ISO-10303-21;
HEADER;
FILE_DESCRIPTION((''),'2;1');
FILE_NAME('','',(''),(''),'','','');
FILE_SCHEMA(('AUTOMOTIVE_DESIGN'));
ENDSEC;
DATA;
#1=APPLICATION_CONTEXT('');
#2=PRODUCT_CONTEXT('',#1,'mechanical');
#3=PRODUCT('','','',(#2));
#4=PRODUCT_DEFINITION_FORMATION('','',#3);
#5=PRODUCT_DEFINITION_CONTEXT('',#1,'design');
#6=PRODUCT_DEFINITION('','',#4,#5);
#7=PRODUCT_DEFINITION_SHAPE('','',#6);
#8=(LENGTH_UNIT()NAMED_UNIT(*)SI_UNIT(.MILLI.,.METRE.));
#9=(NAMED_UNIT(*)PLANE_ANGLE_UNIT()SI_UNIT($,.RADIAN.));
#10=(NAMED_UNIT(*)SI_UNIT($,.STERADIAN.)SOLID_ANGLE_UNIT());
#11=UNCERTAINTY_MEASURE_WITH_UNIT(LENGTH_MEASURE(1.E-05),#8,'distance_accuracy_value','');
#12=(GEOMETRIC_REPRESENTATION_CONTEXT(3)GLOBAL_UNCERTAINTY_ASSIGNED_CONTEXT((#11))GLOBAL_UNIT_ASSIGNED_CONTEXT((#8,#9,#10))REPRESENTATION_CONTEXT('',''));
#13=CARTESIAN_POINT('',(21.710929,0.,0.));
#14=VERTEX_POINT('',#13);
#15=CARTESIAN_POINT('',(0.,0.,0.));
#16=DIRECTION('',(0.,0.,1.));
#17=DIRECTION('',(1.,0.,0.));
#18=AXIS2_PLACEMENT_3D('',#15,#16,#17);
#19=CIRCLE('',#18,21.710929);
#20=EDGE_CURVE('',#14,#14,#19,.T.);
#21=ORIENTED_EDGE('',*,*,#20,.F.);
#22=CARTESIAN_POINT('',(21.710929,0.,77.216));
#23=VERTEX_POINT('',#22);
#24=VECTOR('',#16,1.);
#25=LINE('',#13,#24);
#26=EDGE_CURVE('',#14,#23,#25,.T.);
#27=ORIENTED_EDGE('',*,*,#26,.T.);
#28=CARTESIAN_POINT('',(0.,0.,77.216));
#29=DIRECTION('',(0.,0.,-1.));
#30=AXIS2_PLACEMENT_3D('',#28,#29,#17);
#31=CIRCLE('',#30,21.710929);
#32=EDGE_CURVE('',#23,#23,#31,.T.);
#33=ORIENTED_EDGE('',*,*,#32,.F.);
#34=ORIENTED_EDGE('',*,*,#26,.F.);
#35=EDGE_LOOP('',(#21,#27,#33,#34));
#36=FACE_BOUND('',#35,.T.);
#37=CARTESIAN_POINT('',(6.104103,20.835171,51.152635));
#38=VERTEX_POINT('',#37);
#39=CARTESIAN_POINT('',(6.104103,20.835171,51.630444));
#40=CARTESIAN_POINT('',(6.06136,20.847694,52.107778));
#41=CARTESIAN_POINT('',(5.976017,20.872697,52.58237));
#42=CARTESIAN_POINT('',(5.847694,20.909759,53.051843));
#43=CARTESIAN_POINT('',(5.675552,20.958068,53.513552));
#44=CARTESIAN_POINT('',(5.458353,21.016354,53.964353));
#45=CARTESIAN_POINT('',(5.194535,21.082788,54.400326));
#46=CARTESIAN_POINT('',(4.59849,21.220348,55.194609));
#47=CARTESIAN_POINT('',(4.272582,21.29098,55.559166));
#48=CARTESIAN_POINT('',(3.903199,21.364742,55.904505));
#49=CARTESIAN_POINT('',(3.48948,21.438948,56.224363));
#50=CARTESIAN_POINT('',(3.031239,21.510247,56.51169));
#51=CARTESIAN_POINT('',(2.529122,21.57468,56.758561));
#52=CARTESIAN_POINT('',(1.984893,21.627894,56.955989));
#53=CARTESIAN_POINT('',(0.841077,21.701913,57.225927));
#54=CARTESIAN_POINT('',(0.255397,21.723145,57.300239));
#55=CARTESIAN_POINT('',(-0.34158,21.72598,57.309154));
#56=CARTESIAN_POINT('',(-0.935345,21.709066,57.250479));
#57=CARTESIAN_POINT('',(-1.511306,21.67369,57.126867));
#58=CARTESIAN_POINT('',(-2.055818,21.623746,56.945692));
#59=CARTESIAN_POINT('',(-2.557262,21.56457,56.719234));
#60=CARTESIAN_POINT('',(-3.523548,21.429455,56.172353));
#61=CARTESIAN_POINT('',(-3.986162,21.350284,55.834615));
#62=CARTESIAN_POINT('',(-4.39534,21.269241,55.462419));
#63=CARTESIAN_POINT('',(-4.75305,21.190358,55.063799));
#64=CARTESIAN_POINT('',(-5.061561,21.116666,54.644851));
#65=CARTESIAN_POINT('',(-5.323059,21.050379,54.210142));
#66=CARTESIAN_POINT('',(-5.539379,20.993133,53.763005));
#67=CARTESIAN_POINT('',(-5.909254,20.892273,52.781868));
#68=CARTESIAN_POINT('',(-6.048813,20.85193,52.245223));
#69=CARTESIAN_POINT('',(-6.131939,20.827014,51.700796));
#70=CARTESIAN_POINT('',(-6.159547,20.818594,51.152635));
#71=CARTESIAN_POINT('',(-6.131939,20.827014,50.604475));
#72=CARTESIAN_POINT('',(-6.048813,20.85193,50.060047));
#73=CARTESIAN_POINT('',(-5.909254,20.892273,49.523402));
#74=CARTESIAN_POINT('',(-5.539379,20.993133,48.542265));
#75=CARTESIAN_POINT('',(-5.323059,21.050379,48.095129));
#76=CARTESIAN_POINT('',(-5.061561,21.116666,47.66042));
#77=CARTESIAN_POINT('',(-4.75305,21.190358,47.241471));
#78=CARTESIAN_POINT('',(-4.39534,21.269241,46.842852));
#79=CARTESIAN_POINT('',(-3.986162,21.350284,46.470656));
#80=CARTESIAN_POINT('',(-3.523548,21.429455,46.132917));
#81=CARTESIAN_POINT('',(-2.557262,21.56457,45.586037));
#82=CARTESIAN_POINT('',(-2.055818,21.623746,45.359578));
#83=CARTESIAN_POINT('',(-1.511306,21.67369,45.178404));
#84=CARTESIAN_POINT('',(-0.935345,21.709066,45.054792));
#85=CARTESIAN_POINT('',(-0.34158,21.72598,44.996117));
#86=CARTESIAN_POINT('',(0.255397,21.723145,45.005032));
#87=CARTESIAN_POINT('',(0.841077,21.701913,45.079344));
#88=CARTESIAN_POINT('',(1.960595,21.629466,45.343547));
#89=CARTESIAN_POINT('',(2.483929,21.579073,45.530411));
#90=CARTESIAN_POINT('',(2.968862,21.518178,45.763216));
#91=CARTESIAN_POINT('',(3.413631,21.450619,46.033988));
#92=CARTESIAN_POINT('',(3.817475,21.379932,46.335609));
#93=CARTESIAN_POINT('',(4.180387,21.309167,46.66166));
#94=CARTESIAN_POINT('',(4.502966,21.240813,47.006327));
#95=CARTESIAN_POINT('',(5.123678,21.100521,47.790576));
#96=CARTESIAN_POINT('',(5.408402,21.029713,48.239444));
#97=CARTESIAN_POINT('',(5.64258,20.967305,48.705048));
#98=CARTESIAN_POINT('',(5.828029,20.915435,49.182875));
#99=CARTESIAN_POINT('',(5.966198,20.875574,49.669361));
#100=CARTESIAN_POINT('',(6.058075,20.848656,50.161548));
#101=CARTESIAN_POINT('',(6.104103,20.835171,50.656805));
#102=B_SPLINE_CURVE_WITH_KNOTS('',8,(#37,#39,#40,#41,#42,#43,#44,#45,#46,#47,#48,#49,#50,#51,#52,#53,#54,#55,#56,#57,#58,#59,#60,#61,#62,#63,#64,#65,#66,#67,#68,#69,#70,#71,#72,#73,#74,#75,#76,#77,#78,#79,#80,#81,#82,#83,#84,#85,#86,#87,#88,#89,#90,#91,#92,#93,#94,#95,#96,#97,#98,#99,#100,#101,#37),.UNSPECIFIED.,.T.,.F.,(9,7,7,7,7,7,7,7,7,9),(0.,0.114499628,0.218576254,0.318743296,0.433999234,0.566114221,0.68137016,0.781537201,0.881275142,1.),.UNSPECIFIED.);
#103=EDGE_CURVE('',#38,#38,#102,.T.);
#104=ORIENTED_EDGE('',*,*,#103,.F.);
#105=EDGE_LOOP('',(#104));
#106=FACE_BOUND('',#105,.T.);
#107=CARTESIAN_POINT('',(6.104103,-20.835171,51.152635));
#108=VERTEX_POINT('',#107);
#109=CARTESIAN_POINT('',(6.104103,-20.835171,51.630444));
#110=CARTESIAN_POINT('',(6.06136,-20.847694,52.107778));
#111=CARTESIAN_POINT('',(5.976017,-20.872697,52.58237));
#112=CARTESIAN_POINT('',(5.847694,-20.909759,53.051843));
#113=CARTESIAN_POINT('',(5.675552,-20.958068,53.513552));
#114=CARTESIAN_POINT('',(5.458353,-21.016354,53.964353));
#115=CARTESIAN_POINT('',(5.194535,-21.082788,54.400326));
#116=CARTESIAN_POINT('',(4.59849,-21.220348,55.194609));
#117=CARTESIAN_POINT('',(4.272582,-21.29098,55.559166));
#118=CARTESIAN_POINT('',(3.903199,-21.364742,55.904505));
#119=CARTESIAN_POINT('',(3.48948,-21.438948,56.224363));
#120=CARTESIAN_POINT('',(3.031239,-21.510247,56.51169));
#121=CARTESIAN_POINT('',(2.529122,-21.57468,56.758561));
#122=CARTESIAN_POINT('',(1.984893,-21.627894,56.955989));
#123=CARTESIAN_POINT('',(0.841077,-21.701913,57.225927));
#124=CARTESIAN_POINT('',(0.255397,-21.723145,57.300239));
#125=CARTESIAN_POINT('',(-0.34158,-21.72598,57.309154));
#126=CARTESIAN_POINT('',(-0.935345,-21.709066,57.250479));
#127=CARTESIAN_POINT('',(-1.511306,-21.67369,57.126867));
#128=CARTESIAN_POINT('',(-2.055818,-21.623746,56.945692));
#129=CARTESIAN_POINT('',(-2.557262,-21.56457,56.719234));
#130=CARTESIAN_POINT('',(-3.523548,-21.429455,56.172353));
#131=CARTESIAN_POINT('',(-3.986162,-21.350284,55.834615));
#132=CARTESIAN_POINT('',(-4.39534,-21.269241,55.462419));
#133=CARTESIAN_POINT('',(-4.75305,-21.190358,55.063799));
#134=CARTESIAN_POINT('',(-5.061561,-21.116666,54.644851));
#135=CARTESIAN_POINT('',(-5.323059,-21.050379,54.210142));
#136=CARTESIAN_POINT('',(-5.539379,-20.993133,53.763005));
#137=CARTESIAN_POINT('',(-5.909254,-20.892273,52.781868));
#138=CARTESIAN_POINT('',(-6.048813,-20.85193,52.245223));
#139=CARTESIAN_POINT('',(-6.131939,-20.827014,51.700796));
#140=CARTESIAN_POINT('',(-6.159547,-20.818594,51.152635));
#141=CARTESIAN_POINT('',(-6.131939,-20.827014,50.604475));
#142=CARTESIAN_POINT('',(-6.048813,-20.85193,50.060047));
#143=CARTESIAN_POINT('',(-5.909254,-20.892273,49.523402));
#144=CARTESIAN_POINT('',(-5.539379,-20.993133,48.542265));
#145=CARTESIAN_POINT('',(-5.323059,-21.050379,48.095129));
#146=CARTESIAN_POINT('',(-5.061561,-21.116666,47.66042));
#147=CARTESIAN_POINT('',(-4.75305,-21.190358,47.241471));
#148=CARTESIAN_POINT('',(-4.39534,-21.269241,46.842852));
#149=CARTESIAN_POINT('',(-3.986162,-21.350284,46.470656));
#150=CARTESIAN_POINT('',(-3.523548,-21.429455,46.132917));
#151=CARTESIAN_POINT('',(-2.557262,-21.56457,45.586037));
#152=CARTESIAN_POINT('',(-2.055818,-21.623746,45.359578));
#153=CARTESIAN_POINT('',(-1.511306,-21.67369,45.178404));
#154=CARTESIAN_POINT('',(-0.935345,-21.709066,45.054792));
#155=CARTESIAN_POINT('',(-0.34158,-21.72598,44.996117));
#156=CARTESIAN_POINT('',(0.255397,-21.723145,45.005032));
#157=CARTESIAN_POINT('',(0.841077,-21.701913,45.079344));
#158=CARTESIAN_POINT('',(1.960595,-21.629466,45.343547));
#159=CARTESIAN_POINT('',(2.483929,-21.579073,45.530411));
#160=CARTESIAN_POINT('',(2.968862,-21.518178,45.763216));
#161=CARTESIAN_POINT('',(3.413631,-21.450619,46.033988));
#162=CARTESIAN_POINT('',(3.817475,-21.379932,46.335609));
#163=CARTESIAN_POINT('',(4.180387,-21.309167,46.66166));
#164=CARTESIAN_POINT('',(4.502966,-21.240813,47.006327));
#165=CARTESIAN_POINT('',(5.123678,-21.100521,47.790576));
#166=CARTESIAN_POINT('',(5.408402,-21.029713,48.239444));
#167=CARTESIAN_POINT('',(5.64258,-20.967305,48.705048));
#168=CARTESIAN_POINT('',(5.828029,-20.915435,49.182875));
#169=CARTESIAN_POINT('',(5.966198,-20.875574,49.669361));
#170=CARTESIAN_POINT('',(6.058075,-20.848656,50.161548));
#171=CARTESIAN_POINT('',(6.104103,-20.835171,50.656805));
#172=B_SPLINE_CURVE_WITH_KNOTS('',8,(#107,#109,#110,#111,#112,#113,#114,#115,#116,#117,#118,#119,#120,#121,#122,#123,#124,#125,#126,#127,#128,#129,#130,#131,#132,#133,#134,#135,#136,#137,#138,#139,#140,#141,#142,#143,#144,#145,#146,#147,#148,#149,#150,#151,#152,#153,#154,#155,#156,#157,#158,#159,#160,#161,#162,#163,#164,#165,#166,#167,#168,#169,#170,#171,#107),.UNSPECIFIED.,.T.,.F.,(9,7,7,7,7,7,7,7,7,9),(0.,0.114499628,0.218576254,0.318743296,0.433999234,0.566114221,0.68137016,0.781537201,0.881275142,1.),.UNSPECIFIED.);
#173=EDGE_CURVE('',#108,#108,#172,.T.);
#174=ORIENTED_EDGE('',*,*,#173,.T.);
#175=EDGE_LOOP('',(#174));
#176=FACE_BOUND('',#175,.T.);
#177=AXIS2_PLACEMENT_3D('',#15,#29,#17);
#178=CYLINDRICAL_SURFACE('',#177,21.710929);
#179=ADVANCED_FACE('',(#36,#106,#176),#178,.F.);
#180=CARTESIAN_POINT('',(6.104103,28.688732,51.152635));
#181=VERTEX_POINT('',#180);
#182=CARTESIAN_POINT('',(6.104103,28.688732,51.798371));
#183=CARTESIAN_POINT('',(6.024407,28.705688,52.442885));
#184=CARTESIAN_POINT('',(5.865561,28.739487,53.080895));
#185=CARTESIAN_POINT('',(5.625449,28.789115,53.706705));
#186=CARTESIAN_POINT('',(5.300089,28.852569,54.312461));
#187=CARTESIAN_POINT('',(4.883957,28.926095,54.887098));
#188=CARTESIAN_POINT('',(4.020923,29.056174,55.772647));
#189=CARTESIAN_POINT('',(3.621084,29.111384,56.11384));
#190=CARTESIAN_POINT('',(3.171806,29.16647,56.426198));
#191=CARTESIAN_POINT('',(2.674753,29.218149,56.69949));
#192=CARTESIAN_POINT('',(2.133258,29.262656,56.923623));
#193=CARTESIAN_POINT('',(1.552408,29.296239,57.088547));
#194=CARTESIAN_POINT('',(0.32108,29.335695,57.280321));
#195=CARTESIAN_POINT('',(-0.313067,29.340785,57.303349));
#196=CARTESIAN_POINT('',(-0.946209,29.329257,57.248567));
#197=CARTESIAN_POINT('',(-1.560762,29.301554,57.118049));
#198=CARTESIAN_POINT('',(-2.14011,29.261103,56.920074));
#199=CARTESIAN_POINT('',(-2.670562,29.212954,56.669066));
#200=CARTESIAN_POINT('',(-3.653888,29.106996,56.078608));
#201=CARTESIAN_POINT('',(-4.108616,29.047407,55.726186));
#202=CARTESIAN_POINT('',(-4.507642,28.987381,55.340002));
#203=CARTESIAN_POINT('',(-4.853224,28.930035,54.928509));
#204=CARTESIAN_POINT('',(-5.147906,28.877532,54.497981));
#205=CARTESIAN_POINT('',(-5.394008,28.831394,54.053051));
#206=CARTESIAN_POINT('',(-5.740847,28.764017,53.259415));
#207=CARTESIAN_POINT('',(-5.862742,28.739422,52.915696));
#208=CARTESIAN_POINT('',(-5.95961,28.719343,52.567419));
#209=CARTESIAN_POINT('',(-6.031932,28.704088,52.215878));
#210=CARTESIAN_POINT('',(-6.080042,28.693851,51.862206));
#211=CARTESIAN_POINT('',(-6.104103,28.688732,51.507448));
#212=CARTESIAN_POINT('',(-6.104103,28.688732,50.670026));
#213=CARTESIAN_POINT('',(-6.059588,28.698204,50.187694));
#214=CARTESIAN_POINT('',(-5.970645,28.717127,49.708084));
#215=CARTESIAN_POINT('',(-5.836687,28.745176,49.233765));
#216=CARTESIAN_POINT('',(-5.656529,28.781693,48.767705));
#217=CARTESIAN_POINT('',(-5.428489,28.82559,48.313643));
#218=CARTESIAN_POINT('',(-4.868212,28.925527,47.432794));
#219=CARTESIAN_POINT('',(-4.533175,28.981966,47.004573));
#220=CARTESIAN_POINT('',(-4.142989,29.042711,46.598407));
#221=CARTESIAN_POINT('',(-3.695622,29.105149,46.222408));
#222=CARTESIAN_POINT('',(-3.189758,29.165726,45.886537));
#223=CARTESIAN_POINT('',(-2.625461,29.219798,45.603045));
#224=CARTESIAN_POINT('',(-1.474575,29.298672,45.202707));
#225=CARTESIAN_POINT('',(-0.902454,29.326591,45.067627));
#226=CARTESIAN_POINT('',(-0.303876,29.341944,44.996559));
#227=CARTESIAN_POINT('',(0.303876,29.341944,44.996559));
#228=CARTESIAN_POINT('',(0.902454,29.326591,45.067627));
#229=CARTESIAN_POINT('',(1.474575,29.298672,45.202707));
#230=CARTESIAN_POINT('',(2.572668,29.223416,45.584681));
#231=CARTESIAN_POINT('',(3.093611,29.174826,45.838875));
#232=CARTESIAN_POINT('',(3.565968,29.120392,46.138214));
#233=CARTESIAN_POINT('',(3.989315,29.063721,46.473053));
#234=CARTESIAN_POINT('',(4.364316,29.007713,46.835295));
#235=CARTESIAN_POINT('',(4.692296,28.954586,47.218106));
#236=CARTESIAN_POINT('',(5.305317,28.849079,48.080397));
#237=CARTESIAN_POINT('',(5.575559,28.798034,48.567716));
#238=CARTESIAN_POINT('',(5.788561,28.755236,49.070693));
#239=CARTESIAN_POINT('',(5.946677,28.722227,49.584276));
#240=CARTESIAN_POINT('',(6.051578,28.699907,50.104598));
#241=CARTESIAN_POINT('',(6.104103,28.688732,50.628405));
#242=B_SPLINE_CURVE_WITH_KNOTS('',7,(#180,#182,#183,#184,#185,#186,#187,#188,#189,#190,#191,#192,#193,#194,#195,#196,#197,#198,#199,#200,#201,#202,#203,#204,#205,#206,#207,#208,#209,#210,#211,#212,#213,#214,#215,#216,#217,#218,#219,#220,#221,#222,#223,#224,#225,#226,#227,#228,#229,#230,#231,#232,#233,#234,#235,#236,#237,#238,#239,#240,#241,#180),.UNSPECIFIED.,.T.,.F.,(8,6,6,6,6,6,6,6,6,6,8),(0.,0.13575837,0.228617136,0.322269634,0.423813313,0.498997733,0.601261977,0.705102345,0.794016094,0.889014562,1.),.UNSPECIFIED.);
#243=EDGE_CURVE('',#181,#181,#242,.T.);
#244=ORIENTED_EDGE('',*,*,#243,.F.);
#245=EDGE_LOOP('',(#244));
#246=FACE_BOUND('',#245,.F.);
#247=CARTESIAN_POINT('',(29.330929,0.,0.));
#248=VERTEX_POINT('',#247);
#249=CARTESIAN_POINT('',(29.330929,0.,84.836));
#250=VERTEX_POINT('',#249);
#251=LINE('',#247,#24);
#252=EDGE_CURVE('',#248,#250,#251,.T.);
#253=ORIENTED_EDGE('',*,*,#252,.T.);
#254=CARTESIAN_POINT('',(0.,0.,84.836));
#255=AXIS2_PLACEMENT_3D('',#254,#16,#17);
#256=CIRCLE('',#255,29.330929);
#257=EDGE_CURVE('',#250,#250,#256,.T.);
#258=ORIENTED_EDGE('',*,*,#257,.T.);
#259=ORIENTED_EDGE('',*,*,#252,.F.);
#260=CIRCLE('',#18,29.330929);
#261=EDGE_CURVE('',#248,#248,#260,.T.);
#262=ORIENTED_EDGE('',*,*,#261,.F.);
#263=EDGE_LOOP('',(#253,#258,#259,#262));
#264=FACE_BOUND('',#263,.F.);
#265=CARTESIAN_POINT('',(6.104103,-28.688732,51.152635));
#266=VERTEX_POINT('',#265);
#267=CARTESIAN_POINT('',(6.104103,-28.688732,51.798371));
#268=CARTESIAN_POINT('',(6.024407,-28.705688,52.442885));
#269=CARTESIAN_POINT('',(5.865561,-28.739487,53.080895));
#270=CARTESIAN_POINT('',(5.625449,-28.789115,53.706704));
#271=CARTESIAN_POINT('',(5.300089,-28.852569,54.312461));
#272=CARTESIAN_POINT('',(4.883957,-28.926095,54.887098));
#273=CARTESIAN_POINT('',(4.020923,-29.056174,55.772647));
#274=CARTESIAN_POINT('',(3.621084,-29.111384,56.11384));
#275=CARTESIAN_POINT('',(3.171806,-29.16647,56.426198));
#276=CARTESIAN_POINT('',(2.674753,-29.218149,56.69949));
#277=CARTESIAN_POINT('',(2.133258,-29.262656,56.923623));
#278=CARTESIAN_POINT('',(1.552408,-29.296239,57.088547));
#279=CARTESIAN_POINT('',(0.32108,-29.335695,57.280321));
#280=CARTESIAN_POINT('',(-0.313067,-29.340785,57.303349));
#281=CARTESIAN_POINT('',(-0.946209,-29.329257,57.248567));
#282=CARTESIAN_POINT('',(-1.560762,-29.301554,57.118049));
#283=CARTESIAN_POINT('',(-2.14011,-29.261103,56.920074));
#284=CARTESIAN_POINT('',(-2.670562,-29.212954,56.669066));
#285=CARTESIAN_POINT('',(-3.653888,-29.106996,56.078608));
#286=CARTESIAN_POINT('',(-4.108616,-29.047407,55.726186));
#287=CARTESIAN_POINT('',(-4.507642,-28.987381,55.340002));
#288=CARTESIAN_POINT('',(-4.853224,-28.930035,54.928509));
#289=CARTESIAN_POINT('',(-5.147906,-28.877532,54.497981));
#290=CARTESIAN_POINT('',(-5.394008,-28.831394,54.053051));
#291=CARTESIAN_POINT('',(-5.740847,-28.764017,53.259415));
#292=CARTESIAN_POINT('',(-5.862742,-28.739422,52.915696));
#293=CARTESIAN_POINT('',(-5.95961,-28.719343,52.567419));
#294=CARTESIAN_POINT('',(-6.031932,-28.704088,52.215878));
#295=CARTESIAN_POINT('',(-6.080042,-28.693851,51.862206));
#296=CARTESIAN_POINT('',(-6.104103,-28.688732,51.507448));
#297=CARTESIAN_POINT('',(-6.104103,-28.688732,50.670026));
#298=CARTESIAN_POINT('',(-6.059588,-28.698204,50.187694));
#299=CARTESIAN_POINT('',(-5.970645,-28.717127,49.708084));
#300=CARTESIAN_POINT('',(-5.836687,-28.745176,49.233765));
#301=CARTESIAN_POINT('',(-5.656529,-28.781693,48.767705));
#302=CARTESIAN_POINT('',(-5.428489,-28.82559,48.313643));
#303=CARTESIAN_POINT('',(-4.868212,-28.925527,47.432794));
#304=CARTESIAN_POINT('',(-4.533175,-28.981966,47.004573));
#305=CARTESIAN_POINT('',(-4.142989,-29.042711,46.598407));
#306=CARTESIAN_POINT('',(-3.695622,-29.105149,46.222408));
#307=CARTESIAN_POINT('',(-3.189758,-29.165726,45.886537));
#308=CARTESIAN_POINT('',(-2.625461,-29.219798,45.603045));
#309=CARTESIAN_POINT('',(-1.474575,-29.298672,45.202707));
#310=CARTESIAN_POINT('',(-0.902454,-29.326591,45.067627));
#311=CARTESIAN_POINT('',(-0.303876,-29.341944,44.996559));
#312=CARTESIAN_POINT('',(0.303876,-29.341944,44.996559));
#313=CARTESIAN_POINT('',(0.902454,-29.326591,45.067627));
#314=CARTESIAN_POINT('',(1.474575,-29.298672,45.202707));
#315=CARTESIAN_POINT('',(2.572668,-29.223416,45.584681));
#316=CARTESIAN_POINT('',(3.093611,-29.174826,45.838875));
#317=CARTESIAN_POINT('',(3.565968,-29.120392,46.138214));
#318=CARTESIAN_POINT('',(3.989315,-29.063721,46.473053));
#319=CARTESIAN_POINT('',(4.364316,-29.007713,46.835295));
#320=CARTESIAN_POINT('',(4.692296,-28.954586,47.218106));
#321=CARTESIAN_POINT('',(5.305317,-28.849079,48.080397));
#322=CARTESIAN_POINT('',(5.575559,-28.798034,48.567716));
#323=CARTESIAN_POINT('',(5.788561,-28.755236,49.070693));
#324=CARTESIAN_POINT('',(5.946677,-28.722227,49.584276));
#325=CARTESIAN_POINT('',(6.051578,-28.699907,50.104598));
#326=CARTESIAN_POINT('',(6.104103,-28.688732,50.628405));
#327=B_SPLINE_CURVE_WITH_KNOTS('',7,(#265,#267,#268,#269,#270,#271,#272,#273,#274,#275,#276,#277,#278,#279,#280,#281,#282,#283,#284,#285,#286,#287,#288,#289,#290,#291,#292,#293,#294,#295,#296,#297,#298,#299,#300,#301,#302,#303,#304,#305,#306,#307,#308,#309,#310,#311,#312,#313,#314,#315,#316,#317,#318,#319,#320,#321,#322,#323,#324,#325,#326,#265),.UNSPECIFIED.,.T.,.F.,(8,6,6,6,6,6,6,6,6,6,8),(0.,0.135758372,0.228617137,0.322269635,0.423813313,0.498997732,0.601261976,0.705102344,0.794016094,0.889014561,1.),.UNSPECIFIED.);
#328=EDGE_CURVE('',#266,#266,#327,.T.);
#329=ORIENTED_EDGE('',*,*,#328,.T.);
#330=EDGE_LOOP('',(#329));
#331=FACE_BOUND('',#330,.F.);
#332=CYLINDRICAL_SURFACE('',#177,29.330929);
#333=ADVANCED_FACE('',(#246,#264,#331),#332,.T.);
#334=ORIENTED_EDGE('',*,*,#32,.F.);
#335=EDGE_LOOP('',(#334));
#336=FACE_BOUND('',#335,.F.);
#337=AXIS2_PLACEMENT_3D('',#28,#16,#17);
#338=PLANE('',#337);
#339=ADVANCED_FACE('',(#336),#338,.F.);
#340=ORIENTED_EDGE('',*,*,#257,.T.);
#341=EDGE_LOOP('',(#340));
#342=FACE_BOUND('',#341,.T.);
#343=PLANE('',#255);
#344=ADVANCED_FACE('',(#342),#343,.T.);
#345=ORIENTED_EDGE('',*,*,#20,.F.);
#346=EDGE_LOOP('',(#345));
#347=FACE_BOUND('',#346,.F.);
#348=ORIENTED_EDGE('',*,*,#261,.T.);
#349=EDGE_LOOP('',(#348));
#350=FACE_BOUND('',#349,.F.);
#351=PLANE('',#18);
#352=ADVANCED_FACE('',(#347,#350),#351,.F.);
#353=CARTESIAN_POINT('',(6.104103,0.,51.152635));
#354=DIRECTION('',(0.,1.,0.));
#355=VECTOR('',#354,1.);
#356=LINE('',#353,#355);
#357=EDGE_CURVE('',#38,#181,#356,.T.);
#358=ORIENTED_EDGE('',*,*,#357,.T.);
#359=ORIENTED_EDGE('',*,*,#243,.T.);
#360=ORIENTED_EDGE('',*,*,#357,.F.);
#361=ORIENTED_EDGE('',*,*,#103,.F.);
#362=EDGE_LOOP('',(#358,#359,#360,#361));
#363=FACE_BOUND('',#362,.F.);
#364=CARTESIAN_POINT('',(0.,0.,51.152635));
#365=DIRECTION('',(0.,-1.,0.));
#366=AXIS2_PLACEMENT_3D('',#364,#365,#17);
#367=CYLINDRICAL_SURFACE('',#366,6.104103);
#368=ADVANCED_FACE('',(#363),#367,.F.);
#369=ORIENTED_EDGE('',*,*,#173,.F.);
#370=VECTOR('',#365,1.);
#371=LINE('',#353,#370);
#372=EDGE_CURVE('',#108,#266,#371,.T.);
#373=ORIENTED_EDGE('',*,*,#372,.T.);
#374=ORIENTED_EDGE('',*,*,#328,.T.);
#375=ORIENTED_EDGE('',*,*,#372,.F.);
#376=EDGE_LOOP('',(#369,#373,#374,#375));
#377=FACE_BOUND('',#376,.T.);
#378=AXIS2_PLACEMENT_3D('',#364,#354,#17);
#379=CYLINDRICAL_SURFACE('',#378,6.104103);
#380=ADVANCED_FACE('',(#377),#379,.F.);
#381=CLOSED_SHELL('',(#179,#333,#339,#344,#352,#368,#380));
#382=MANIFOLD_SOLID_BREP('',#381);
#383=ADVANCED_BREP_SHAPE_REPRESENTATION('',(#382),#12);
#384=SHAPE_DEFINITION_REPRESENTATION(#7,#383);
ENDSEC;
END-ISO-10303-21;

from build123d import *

# Parameters (mm, degrees)
F0_R          = 29.3309291426
F1_DEPTH      = 84.836
F2_T          = -7.62
F3_R          = 6.1041032484
F4_DEPTH      = 29.3319291426
F4_DEPTH_BACK = 29.3319291426


with BuildPart() as f1:
    # F0 (on Top) → F1 (new body)
    with BuildSketch(Plane.XY):
        Circle(F0_R)
    extrude(amount=F1_DEPTH)

    # F2
    f2_openings = [f1.faces().sort_by_distance(p)[0] for p in [
        (0, 0, 0),
    ]]
    offset(amount=F2_T, openings=f2_openings)

    # F3 (on Front) → F4 (cut, two sides)
    with BuildSketch(Plane.XZ) as f4_sk:
        with Locations((0, 51.1526353657)):
            Circle(F3_R)
    extrude(amount=-F4_DEPTH, mode=Mode.SUBTRACT)
    extrude(f4_sk.sketch, amount=F4_DEPTH_BACK, mode=Mode.SUBTRACT)


solid = f1.part
